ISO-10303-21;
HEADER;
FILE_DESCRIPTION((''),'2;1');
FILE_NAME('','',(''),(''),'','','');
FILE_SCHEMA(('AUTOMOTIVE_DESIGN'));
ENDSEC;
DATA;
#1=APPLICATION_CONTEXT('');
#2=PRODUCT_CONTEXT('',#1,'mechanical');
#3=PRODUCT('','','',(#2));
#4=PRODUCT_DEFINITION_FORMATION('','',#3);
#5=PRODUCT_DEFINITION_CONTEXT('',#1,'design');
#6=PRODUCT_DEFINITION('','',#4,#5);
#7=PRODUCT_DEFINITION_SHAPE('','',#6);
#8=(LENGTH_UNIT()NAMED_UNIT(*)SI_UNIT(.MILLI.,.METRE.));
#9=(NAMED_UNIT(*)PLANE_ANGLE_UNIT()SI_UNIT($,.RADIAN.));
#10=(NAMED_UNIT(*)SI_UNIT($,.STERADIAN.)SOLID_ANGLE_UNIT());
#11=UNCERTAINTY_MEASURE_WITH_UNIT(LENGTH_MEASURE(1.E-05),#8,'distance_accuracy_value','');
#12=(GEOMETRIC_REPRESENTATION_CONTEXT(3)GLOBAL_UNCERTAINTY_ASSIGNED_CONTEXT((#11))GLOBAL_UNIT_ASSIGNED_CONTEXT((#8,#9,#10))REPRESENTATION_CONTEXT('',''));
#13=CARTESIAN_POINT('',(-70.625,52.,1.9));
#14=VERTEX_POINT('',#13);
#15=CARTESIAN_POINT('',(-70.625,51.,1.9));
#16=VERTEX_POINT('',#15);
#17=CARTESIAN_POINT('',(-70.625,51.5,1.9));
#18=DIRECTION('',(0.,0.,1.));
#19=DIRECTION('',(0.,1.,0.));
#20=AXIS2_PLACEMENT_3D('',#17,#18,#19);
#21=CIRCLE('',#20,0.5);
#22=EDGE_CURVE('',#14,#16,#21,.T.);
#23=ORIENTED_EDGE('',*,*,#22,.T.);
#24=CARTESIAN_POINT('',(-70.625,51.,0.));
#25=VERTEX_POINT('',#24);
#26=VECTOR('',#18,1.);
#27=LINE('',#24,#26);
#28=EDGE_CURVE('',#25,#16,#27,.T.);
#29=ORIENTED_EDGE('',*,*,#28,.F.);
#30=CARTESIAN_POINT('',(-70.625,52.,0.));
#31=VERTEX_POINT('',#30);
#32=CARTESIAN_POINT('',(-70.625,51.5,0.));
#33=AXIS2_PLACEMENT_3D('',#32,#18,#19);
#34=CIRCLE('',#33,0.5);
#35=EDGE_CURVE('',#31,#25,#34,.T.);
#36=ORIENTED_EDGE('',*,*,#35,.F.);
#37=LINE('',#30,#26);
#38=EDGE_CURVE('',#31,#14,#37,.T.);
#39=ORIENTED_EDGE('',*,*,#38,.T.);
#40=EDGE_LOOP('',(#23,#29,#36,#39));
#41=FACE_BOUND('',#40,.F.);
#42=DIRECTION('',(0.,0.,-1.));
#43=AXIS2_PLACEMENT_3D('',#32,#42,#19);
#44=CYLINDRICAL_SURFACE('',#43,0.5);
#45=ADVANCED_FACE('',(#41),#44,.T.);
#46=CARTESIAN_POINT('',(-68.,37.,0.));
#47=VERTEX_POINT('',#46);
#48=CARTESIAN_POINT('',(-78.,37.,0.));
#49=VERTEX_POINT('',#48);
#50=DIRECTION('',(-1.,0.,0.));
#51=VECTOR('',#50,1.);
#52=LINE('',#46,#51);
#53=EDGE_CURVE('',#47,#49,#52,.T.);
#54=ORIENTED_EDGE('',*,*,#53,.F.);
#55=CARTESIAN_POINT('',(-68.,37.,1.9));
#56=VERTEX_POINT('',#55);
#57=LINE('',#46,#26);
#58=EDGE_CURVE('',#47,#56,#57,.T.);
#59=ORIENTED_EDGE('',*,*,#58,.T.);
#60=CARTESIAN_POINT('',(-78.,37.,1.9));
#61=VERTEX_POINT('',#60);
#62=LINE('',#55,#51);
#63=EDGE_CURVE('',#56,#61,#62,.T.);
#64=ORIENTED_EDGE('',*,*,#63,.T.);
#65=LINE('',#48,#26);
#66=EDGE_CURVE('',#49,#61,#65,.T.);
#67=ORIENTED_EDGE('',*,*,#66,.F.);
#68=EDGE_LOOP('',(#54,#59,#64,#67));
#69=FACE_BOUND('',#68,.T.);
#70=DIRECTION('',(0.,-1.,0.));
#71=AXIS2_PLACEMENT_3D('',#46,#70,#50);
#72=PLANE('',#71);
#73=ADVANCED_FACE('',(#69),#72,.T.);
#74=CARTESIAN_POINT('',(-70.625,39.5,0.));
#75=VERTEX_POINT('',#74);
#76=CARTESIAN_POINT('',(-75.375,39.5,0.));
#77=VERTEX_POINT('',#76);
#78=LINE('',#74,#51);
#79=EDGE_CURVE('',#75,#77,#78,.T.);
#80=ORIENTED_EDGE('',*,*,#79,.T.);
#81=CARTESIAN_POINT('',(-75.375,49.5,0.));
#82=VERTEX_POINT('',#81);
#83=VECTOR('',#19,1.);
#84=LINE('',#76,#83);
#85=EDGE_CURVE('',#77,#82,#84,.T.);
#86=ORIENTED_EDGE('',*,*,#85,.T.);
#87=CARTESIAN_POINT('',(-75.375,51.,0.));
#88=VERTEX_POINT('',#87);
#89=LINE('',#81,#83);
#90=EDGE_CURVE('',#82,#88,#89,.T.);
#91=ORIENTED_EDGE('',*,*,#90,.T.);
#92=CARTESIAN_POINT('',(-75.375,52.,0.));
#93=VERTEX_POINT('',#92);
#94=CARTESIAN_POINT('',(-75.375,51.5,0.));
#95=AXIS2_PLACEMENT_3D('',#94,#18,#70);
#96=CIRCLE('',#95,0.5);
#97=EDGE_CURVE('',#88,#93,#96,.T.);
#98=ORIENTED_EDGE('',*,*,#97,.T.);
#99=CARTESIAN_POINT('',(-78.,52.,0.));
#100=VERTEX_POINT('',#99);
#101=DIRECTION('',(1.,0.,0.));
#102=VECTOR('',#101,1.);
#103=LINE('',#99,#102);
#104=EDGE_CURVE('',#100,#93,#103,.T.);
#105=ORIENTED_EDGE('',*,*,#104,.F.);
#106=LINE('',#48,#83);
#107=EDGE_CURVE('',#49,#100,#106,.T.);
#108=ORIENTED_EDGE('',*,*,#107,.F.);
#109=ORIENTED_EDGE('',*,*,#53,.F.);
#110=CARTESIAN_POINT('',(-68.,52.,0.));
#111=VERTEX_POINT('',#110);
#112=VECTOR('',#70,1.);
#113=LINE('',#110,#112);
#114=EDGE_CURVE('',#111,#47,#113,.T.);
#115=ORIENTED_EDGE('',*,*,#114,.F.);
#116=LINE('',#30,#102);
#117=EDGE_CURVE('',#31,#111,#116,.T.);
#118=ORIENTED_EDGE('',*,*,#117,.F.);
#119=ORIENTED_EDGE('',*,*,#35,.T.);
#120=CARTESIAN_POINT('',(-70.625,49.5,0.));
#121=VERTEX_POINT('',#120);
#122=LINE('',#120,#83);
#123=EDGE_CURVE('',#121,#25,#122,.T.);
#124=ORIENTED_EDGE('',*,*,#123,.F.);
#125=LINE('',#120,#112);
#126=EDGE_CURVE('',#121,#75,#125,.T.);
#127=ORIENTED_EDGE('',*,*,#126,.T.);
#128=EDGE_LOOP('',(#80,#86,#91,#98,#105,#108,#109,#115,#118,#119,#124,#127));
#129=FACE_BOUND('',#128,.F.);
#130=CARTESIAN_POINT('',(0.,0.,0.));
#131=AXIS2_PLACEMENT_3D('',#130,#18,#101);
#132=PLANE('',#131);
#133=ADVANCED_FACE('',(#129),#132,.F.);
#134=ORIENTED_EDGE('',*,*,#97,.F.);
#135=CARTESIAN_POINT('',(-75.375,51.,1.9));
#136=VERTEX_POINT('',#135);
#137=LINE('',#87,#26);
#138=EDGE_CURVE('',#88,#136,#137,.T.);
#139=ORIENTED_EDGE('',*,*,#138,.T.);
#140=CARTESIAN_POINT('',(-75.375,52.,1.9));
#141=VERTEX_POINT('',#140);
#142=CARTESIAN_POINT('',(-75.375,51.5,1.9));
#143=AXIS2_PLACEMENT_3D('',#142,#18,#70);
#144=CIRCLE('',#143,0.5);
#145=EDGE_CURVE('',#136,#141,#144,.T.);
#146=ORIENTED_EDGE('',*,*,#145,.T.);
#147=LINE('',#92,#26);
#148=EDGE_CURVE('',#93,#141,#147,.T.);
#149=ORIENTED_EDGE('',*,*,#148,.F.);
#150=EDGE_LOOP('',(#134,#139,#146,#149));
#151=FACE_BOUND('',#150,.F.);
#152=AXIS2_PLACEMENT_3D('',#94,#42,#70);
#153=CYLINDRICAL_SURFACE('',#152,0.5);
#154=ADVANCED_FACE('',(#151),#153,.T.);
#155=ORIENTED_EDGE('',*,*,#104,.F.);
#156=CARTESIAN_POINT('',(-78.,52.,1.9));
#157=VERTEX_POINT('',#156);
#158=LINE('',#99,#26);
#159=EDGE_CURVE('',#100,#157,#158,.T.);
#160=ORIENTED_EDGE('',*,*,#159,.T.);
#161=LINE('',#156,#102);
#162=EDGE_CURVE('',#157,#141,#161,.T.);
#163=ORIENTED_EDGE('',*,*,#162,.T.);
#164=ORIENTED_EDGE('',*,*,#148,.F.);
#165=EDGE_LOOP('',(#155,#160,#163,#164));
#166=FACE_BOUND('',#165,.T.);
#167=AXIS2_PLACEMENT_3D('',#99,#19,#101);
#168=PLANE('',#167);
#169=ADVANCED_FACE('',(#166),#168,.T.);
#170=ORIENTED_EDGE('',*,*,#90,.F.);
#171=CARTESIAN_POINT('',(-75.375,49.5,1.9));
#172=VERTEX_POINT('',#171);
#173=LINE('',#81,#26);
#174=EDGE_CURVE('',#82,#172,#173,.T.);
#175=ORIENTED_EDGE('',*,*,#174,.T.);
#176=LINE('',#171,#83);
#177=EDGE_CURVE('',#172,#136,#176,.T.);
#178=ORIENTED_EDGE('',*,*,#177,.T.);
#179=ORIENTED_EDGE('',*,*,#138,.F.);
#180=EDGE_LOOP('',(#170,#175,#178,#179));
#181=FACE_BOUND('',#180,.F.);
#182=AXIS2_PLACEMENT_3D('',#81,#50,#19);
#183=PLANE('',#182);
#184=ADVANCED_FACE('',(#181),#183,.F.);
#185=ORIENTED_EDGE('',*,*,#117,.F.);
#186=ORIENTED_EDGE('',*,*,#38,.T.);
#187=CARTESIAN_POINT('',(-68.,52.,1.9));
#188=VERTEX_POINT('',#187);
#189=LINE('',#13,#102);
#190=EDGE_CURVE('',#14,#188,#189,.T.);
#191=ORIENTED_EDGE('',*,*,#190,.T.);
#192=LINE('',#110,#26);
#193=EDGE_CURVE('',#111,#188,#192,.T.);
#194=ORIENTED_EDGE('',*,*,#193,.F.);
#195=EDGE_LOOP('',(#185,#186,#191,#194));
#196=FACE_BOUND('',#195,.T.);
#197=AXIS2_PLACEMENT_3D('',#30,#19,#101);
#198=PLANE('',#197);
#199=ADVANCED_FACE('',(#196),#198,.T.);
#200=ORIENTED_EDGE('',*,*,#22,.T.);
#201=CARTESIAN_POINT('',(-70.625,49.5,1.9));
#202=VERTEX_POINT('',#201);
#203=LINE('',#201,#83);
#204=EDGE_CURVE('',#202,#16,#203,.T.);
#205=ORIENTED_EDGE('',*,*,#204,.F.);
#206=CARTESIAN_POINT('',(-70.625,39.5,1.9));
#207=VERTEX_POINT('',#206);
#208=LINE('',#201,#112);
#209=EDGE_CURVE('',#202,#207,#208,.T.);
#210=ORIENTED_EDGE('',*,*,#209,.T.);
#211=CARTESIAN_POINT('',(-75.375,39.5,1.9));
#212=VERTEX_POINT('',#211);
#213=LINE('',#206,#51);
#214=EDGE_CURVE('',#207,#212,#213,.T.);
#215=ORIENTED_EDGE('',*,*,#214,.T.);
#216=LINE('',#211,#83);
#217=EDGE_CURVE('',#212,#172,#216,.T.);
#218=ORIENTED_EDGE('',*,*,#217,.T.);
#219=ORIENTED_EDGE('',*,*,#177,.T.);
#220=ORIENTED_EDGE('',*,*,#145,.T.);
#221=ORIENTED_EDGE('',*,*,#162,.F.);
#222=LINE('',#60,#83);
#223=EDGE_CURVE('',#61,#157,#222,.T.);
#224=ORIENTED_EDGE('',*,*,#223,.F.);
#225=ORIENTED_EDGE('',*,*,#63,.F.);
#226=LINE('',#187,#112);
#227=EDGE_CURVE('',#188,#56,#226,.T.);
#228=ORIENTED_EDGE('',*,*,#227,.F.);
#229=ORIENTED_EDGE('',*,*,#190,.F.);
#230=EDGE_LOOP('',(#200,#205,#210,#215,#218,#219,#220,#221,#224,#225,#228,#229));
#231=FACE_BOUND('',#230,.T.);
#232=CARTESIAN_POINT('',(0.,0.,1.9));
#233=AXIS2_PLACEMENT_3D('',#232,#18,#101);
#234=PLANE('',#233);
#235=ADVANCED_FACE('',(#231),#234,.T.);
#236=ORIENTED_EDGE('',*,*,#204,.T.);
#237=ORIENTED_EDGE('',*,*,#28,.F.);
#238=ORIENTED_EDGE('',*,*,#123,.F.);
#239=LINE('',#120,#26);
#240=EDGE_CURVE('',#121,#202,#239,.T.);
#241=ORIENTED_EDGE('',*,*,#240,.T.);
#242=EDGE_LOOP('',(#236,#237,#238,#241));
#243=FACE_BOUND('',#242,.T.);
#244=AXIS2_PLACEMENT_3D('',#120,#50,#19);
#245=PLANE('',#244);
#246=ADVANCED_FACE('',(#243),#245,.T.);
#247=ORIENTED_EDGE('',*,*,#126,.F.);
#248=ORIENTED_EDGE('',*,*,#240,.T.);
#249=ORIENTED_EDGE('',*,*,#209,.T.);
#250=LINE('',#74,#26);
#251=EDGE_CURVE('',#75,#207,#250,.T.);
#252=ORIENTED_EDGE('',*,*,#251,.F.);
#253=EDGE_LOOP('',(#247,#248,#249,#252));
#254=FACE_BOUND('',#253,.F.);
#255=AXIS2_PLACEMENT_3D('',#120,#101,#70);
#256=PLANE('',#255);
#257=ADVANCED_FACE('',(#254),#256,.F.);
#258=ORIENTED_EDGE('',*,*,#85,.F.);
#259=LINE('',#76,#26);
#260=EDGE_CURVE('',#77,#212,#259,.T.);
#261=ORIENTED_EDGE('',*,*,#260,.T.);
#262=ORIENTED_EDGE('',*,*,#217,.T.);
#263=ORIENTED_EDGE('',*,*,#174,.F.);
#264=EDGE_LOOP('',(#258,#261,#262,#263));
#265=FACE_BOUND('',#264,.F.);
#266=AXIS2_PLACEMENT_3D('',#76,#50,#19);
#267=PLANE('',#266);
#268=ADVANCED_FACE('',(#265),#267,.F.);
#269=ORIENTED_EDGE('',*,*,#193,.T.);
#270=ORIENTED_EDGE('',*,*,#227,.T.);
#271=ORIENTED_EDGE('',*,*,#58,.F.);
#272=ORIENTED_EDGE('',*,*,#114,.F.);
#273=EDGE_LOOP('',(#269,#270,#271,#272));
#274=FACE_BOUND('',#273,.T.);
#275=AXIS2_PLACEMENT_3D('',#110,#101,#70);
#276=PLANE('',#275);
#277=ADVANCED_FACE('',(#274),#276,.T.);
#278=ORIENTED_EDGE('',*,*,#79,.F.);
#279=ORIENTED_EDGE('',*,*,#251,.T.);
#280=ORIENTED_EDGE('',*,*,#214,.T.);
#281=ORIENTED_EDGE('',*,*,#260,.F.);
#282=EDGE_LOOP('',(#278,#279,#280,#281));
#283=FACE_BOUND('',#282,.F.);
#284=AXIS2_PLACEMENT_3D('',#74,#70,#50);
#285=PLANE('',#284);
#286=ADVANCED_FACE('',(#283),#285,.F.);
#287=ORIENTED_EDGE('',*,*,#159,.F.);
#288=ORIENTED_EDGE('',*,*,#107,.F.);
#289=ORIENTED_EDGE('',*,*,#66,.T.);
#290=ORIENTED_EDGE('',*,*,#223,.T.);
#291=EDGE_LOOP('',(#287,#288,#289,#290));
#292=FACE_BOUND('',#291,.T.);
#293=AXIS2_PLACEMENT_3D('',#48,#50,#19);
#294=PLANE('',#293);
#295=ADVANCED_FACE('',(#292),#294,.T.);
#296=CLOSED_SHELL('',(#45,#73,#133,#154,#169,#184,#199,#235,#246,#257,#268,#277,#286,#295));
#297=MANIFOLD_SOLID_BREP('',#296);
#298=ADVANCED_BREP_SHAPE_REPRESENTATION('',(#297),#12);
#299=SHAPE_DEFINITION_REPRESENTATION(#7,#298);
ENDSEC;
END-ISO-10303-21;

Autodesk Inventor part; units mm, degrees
ref_plane "YZ Plane" through (0, 0, 0) normal (1, 0, 0) x (0, 1, 0)
ref_plane "XZ Plane" through (0, 0, 0) normal (0, 1, 0) x (-1, 0, 0)
ref_plane "XY Plane" through (0, 0, 0) normal (0, 0, 1) x (1, 0, 0)
ref_plane "Work Plane2" through (0, 0, 0) normal (0, 0, 1) x (1, 0, 0)
sketch "Sketch2" plane through (0, 0, 0) normal (0, 0, 1) x (1, 0, 0)
  line L0 (-70.75, 49.5) -> (-69.25, 49.5) construction
  line L1 (-70.75, 39.5) -> (-70.75, 49.5) construction
  line L2 (-69.25, 39.5) -> (-70.75, 39.5) construction
  line L3 (-69.25, 49.5) -> (-69.25, 39.5) construction
  line L4 (-76.75, 49.5) -> (-75.25, 49.5) construction
  line L5 (-76.75, 39.5) -> (-76.75, 49.5) construction
  line L6 (-75.25, 39.5) -> (-76.75, 39.5) construction
  line L7 (-75.25, 39.5) -> (-75.25, 49.5) construction
  line L8 (-75.25, 44.5) -> (-70.75, 44.5) construction
  line L9 (-75.375, 39.5) -> (-75.375, 49.5)
  line L10 (-75.375, 49.5) -> (-70.625, 49.5) construction
  line L11 (-70.625, 49.5) -> (-70.625, 39.5)
  line L12 (-70.625, 39.5) -> (-75.375, 39.5)
  line L13 (-75.375, 39.5) -> (-70.625, 49.5) construction
  line L14 (-75.375, 49.5) -> (-70.625, 39.5) construction
  line L15 (-68, 37) -> (-78, 37)
  line L16 (-78, 37) -> (-78, 52)
  line L17 (-78, 52) -> (-75.375, 52)
  line L18 (-68, 52) -> (-68, 37)
  line L19 (-68, 37) -> (-78, 52) construction
  line L20 (-78, 37) -> (-68, 52) construction
  line L21 (-75.375, 49.5) -> (-75.375, 51)
  line L22 (-70.625, 49.5) -> (-70.625, 51)
  line L23 (-75.375, 52) -> (-70.625, 52) construction
  line L24 (-70.625, 52) -> (-68, 52)
  arc A0 (-75.375, 51) -> (-75.375, 52) centre (-75.375, 51.5) ccw
  arc A1 (-70.625, 52) -> (-70.625, 51) centre (-70.625, 51.5) ccw
  line L25 (-75.375, 51) -> (-75.375, 52) construction
  arc A2 (-75.375, 52) -> (-75.375, 51) centre (-75.375, 51.5) ccw construction
  arc A3 (-70.625, 51) -> (-70.625, 52) centre (-70.625, 51.5) ccw construction
  line L26 (-70.625, 51) -> (-70.625, 52) construction
  point P0 (0, 0)
  point P1 (-73, 44.5)
  dimension "d0" = 4.75
  dimension "d1" = 10
  dimension "d2" = 15
  dimension "d3" = 1
  dimension "d4" = 1
extrude "Extrusion1" add sketch "Sketch2" along normal blind 1.9
properties part number "IRHolder_new2"
